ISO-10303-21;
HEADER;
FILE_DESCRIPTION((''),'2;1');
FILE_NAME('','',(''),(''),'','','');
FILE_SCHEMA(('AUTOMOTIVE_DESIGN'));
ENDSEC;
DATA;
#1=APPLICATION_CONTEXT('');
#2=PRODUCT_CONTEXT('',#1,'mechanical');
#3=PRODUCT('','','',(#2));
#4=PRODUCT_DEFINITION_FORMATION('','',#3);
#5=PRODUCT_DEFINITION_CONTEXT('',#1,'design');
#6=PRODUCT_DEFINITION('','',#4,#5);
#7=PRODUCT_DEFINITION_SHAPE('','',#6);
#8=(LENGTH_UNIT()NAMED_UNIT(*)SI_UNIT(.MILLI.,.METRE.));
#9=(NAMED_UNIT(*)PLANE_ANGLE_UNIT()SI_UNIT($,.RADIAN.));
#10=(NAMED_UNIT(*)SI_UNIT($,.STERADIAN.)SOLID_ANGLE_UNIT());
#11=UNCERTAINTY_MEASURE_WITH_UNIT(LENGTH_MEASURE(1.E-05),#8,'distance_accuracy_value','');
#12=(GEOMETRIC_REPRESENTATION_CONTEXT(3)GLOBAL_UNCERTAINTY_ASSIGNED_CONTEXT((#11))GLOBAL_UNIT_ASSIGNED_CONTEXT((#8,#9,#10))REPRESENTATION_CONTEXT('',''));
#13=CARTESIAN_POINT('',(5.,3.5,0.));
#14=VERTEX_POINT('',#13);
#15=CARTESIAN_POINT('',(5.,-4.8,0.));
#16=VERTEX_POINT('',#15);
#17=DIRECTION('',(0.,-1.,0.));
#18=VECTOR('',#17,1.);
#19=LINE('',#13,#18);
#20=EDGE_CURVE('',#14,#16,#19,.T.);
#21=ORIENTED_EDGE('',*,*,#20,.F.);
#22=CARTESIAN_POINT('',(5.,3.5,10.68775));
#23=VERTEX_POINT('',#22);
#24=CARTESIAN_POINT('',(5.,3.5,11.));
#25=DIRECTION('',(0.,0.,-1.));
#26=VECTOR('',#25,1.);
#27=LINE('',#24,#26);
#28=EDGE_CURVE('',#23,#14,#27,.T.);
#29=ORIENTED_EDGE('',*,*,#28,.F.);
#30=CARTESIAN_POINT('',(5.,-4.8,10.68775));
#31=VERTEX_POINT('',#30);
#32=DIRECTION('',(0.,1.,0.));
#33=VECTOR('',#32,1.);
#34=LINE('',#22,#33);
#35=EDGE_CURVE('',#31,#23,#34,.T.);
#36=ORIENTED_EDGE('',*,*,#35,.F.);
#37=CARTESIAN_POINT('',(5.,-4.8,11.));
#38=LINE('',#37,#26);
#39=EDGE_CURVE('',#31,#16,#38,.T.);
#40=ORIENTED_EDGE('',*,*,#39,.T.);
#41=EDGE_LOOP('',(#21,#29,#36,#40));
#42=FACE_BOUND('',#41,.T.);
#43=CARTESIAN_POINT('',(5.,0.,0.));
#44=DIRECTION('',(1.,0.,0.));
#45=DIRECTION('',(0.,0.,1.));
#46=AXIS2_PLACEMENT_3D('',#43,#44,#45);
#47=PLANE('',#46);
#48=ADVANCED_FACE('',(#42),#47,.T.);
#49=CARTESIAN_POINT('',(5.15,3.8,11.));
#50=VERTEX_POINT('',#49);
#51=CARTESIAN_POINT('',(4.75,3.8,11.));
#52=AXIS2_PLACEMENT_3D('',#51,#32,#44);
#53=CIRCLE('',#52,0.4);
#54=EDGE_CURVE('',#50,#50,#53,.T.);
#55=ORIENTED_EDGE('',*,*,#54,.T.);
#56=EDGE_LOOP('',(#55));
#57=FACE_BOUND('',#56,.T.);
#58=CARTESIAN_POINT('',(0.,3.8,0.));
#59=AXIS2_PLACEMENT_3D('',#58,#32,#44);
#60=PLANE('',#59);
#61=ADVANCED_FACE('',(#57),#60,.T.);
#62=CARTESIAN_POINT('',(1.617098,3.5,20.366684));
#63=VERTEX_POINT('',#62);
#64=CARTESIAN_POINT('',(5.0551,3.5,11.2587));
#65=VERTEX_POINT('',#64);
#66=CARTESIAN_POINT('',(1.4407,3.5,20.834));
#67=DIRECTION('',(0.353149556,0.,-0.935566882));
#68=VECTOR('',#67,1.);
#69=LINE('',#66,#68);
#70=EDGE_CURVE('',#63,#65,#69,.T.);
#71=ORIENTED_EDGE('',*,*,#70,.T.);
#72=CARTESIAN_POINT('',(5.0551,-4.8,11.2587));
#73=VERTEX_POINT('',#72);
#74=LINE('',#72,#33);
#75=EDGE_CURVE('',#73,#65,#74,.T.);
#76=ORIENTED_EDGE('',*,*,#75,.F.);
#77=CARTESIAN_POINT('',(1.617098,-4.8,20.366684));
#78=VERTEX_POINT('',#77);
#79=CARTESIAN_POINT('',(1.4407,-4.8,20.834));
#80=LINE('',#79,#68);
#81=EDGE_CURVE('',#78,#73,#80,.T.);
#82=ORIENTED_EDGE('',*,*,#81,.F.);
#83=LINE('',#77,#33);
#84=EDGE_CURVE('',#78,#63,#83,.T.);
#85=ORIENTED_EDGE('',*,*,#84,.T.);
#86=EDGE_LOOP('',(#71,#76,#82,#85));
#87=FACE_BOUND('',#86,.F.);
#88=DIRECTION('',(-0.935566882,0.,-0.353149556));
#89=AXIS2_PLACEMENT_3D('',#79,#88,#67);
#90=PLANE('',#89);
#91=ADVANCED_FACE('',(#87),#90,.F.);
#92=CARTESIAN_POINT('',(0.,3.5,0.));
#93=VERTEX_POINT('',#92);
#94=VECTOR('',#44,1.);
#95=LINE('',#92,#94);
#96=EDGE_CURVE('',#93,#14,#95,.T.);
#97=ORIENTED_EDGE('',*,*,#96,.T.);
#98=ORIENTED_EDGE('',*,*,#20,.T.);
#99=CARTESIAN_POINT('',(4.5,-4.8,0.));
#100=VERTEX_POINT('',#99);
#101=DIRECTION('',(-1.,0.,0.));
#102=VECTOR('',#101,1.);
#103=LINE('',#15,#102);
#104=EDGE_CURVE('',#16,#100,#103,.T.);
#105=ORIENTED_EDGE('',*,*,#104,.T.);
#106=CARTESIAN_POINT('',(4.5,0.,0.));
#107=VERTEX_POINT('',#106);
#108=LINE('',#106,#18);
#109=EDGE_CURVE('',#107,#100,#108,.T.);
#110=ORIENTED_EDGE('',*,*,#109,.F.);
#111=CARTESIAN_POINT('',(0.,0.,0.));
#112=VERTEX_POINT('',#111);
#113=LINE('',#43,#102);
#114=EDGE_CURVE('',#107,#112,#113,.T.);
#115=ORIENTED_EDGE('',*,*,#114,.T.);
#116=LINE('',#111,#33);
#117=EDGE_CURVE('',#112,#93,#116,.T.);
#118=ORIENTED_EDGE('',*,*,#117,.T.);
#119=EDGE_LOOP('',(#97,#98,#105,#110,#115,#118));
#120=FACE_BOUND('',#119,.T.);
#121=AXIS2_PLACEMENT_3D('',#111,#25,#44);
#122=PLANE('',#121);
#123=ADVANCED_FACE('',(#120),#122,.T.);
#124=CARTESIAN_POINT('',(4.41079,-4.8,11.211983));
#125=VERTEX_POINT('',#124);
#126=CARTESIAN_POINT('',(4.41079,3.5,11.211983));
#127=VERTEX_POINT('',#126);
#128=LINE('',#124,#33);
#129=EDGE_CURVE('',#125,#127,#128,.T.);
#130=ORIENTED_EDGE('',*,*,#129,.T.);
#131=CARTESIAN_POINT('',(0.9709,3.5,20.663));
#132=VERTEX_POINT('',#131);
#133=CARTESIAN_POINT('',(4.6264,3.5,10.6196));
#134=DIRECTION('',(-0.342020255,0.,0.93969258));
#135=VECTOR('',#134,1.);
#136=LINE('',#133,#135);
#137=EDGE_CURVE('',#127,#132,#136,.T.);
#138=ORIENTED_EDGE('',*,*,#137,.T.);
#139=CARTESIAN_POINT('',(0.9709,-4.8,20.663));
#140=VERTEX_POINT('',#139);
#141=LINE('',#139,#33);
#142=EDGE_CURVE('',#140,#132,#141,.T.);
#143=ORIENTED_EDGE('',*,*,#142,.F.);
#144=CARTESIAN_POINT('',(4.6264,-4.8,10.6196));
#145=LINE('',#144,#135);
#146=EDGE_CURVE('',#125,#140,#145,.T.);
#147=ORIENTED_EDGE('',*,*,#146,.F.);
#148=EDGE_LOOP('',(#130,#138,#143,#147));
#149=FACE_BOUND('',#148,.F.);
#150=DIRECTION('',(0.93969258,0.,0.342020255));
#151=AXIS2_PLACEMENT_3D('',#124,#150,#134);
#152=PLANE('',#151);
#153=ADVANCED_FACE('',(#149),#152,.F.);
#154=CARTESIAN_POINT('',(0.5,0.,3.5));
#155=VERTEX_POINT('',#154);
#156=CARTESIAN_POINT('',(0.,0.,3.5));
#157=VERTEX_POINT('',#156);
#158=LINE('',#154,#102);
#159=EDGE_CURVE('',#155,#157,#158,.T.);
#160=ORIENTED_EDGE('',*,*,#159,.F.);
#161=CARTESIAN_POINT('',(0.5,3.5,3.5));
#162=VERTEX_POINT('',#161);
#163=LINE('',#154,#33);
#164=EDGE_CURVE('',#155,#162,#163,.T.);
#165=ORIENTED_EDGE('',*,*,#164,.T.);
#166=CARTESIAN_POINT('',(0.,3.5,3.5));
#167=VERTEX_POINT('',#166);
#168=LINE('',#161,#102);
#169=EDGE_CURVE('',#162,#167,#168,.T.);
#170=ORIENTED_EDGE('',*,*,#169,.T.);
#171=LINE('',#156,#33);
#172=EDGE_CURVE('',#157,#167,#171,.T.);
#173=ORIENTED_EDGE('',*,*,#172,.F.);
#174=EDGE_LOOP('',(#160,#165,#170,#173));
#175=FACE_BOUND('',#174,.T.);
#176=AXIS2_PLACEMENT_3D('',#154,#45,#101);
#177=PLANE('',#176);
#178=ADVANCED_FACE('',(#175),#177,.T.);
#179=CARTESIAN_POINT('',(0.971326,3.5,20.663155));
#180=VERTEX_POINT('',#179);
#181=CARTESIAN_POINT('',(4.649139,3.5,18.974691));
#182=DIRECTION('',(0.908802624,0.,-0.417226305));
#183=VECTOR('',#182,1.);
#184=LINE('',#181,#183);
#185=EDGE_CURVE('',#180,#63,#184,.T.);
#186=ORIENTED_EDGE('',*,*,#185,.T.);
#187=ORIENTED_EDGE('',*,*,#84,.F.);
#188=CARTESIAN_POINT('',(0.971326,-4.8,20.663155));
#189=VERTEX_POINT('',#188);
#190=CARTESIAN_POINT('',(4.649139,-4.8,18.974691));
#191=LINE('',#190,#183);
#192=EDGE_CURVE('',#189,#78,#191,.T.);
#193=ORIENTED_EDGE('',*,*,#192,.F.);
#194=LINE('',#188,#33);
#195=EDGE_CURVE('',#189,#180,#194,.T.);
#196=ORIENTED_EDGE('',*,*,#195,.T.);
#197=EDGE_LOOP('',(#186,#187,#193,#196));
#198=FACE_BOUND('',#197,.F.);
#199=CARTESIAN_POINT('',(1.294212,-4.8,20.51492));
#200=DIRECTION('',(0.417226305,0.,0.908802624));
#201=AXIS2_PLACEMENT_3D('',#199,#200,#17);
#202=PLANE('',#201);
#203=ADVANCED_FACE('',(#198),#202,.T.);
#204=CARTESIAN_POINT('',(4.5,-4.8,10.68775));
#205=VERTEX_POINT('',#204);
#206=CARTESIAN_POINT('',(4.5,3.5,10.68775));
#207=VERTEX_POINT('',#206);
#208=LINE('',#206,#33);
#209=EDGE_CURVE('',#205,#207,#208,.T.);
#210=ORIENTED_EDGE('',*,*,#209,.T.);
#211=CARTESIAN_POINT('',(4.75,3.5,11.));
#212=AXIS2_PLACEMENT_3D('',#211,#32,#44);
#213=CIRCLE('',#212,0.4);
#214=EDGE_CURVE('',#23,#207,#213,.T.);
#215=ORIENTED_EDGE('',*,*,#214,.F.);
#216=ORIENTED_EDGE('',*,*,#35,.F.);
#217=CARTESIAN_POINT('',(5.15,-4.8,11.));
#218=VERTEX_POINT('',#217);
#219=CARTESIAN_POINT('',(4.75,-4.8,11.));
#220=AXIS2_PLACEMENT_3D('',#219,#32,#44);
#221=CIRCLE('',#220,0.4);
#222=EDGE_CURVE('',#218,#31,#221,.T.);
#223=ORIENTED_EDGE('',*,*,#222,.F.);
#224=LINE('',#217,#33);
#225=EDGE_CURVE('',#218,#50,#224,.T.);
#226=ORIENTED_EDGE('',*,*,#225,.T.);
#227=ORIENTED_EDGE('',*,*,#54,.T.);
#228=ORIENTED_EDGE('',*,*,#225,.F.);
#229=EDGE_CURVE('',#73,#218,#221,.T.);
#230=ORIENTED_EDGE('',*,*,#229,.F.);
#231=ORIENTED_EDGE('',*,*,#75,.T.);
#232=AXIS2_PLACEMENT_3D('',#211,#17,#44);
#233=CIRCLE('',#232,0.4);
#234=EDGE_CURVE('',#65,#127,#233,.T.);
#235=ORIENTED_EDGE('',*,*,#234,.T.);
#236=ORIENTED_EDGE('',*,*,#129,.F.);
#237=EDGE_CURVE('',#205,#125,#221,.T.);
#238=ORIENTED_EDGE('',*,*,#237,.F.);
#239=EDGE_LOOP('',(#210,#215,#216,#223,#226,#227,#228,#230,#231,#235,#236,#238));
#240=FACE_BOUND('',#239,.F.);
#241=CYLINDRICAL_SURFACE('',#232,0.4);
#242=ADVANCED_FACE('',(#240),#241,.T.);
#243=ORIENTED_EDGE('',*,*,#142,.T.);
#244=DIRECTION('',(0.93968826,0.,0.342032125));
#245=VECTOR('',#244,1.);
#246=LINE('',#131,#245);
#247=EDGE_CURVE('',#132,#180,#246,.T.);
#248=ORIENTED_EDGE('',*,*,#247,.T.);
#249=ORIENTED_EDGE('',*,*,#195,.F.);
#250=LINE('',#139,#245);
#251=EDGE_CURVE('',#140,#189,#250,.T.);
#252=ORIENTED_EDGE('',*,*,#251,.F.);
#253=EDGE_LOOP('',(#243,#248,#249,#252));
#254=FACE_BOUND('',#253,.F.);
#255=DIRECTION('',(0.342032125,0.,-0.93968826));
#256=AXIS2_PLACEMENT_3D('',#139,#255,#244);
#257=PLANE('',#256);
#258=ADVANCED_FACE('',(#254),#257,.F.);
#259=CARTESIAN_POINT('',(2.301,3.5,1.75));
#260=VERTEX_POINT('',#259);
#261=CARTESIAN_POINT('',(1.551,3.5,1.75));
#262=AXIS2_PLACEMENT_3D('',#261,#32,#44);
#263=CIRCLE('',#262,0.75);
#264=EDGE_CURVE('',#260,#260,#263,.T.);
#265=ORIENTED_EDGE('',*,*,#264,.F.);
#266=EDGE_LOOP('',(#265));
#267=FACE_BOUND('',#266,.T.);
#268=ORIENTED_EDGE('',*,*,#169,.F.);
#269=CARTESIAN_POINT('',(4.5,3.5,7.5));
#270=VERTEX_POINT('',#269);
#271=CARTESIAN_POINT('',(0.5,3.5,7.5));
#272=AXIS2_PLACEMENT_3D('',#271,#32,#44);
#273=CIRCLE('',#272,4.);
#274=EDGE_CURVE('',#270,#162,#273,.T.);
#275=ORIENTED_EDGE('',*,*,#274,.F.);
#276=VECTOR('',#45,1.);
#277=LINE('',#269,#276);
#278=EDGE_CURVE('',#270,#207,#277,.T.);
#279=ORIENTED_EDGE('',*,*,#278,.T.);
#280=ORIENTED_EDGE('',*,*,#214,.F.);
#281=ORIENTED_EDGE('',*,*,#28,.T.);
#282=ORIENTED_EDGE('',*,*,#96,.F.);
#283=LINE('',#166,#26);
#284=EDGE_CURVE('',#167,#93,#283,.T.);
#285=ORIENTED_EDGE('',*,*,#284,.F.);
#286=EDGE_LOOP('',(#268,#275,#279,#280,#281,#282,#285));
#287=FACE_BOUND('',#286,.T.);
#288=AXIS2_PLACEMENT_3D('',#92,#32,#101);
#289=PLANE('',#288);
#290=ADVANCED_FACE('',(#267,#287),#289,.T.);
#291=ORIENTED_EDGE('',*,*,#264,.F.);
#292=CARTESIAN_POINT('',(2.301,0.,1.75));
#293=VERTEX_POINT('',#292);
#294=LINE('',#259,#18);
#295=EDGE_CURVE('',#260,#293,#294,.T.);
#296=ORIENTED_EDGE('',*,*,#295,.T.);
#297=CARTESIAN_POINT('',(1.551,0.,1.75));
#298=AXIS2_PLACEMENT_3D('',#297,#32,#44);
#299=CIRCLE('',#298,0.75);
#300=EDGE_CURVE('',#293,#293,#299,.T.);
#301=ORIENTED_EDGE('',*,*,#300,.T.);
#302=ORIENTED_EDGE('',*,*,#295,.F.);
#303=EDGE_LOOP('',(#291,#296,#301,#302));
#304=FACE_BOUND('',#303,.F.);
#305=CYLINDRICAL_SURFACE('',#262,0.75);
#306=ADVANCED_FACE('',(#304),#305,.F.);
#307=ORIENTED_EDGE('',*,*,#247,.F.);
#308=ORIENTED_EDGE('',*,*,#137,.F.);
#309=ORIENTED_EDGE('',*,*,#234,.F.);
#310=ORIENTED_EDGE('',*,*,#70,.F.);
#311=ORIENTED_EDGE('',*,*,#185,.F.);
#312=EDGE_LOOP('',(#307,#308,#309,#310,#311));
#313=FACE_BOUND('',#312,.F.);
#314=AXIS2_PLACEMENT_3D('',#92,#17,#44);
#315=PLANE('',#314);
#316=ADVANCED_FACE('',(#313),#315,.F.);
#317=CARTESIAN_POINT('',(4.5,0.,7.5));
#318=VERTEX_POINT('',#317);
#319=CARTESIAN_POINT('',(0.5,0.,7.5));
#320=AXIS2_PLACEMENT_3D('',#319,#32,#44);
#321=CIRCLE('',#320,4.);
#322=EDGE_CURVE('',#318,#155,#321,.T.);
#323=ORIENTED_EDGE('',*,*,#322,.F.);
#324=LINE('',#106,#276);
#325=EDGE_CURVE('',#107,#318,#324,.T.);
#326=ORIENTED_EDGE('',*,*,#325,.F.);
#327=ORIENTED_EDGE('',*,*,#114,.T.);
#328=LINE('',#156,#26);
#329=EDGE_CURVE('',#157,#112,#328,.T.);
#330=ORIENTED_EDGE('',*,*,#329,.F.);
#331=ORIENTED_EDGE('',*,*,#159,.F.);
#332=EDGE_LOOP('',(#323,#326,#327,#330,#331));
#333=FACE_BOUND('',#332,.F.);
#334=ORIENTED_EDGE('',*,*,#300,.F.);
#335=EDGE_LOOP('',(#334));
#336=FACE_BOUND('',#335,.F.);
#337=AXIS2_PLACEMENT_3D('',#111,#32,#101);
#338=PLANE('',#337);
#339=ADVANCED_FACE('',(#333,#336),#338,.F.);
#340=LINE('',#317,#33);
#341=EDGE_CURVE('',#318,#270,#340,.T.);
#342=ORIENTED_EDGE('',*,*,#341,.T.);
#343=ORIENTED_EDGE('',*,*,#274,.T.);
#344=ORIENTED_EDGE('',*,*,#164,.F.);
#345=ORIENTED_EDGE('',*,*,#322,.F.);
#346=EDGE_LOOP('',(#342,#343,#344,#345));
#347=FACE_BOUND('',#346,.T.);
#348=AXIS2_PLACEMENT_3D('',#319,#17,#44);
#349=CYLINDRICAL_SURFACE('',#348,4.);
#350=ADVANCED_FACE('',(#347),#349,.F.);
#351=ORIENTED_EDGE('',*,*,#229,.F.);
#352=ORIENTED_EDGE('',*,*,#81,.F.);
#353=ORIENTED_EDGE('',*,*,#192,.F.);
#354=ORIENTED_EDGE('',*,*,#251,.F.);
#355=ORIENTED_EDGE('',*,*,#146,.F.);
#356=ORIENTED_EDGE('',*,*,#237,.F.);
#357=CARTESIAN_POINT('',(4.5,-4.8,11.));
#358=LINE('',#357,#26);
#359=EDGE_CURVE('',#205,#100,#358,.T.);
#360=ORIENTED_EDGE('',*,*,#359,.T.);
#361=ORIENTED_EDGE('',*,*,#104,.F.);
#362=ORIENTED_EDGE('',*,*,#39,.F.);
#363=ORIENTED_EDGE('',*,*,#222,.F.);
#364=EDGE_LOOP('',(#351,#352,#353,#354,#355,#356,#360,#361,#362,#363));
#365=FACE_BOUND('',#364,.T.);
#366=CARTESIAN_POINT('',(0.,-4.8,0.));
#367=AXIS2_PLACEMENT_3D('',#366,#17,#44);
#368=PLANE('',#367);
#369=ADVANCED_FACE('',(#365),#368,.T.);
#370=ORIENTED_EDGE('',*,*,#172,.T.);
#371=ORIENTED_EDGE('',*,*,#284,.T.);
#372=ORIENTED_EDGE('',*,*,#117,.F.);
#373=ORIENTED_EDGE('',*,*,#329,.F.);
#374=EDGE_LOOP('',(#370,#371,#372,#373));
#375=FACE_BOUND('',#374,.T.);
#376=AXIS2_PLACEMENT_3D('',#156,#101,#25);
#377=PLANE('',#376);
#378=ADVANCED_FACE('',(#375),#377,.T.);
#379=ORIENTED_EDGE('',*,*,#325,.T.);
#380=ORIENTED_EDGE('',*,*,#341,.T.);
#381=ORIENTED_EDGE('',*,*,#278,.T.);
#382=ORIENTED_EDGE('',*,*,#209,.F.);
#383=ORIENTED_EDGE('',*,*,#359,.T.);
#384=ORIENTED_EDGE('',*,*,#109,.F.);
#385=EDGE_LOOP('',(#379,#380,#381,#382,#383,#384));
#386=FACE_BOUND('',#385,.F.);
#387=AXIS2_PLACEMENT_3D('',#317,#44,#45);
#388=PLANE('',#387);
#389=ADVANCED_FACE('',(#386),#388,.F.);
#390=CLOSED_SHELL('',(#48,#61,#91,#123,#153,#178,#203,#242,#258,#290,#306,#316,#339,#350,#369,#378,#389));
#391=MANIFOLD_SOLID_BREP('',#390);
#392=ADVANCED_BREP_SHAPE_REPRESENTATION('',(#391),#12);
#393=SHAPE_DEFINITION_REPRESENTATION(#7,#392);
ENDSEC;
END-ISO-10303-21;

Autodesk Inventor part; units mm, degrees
ref_plane "YZ Plane" through (0, 0, 0) normal (1, 0, 0) x (0, 1, 0)
ref_plane "XZ Plane" through (0, 0, 0) normal (0, 1, 0) x (-1, 0, 0)
ref_plane "XY Plane" through (0, 0, 0) normal (0, 0, 1) x (1, 0, 0)
sketch "Sketch1" plane through (0, 0, 0) normal (0, 1, 0) x (-1, 0, 0)
  line L0 (0, 0) -> (-5, 0)
  line L1 (-5, 0) -> (-5, 3.5)
  line L2 (-0.5, 3.5) -> (0, 3.5)
  line L3 (0, 3.5) -> (0, 0)
  line L4 (-5, 0) -> (-4.5, 0)
  line L5 (-4.5, 7.5) -> (-4.5, 11)
  line L6 (-4.5, 11) -> (-5, 11)
  line L7 (-5, 11) -> (-5, 0)
  arc A0 (-4.5, 7.5) -> (-0.5, 3.5) centre (-0.5, 7.5) ccw
  dimension "d0" = 5
  dimension "d1" = 3.5
  dimension "d2" = 0.5
  dimension "d3" = 11
  dimension "d4" = 4
extrude "Extrusion1" add sketch "Sketch1" along normal blind 3.5
sketch "Sketch2" plane through (0, 3.5, 0) normal (0, 1, 0) x (1, 0, 0)
  line L0 (0, -3.5) -> (0.5, -3.5) projected
  line L1 (5, -11) -> (5, 0) projected
  line L2 (0, -3.5) -> (5, -3.5)
  line L3 (5, -3.5) -> (5, 0)
  line L4 (5, 0) -> (0, 0)
  line L5 (0, 0) -> (0, -3.5)
  circle A0 centre (1.551, -1.75) radius 0.75
  dimension "d7" = 1.5
extrude "Extrusion2" cut sketch "Sketch2" against normal blind 3.5 contours A0
sketch "Sketch3" plane through (0, 0, 0) normal (0, -1, 0) x (1, 0, 0)
  line L0 (5, 11) -> (5, 0) projected
  arc A0 (0.5, 3.5) -> (4.5, 7.5) centre (0.5, 7.5) ccw projected
  line L1 (5, 11) -> (4.5, 11)
  line L2 (4.5, 11) -> (4.5, 7.5)
  line L3 (4.5, 7.5) -> (5, 7.5)
  line L4 (5, 7.5) -> (5, 11)
  line L5 (5, 0) -> (0, 0) projected
  line L6 (5, 7.5) -> (4.5, 7.5)
  line L7 (4.5, 7.5) -> (4.5, 0)
  line L8 (4.5, 0) -> (5, 0)
  line L9 (5, 0) -> (5, 7.5)
extrude "Extrusion3" add sketch "Sketch3" along normal blind 4.8
sketch "Sketch4" plane through (0, 3.5, 0) normal (0, 1, 0) x (1, 0, 0)
  line L0 (5, -11) -> (4.5, -11) projected
  circle A0 centre (4.75, -11) radius 0.4
  point P0 (0, 0)
  dimension "d12" = 0.8
extrude "Extrusion4" add sketch "Sketch4" along normal blind 0.3 and the other way blind 8.3
sketch "Sketch5" plane through (0, -4.8, 0) normal (0, -1, 0) x (1, 0, 0)
  circle A0 centre (4.75, 11) radius 0.4 projected
  line L0 (4.6264, 10.6196) -> (0.9709, 20.663)
  line L1 (4.6264, 10.6196) -> (15.3144, 10.6196) construction
  line L2 (0.9709, 20.663) -> (1.4407, 20.834)
  line L3 (1.4407, 20.834) -> (5.0551, 11.2587)
  point P0 (0, 0)
  point P1 (4.4108, 11.212)
  dimension "d17" = 10.688
  dimension "d18" = 110
  dimension "d19" = 0.5
extrude "Extrusion5" add sketch "Sketch5" against normal blind 8.3 contours A0 L0 L2 L3
chamfer "Chamfer1" distance 0.5 angle 45 1 edges at (1.4407, -0.65, 20.834)
sketch "Sketch6" plane through (5, -4.8, 0) normal (1, 0, 0) x (0, 0, -1)
  point P0 (0, 4.8)
properties part number "McCrea_finger_Walle"
